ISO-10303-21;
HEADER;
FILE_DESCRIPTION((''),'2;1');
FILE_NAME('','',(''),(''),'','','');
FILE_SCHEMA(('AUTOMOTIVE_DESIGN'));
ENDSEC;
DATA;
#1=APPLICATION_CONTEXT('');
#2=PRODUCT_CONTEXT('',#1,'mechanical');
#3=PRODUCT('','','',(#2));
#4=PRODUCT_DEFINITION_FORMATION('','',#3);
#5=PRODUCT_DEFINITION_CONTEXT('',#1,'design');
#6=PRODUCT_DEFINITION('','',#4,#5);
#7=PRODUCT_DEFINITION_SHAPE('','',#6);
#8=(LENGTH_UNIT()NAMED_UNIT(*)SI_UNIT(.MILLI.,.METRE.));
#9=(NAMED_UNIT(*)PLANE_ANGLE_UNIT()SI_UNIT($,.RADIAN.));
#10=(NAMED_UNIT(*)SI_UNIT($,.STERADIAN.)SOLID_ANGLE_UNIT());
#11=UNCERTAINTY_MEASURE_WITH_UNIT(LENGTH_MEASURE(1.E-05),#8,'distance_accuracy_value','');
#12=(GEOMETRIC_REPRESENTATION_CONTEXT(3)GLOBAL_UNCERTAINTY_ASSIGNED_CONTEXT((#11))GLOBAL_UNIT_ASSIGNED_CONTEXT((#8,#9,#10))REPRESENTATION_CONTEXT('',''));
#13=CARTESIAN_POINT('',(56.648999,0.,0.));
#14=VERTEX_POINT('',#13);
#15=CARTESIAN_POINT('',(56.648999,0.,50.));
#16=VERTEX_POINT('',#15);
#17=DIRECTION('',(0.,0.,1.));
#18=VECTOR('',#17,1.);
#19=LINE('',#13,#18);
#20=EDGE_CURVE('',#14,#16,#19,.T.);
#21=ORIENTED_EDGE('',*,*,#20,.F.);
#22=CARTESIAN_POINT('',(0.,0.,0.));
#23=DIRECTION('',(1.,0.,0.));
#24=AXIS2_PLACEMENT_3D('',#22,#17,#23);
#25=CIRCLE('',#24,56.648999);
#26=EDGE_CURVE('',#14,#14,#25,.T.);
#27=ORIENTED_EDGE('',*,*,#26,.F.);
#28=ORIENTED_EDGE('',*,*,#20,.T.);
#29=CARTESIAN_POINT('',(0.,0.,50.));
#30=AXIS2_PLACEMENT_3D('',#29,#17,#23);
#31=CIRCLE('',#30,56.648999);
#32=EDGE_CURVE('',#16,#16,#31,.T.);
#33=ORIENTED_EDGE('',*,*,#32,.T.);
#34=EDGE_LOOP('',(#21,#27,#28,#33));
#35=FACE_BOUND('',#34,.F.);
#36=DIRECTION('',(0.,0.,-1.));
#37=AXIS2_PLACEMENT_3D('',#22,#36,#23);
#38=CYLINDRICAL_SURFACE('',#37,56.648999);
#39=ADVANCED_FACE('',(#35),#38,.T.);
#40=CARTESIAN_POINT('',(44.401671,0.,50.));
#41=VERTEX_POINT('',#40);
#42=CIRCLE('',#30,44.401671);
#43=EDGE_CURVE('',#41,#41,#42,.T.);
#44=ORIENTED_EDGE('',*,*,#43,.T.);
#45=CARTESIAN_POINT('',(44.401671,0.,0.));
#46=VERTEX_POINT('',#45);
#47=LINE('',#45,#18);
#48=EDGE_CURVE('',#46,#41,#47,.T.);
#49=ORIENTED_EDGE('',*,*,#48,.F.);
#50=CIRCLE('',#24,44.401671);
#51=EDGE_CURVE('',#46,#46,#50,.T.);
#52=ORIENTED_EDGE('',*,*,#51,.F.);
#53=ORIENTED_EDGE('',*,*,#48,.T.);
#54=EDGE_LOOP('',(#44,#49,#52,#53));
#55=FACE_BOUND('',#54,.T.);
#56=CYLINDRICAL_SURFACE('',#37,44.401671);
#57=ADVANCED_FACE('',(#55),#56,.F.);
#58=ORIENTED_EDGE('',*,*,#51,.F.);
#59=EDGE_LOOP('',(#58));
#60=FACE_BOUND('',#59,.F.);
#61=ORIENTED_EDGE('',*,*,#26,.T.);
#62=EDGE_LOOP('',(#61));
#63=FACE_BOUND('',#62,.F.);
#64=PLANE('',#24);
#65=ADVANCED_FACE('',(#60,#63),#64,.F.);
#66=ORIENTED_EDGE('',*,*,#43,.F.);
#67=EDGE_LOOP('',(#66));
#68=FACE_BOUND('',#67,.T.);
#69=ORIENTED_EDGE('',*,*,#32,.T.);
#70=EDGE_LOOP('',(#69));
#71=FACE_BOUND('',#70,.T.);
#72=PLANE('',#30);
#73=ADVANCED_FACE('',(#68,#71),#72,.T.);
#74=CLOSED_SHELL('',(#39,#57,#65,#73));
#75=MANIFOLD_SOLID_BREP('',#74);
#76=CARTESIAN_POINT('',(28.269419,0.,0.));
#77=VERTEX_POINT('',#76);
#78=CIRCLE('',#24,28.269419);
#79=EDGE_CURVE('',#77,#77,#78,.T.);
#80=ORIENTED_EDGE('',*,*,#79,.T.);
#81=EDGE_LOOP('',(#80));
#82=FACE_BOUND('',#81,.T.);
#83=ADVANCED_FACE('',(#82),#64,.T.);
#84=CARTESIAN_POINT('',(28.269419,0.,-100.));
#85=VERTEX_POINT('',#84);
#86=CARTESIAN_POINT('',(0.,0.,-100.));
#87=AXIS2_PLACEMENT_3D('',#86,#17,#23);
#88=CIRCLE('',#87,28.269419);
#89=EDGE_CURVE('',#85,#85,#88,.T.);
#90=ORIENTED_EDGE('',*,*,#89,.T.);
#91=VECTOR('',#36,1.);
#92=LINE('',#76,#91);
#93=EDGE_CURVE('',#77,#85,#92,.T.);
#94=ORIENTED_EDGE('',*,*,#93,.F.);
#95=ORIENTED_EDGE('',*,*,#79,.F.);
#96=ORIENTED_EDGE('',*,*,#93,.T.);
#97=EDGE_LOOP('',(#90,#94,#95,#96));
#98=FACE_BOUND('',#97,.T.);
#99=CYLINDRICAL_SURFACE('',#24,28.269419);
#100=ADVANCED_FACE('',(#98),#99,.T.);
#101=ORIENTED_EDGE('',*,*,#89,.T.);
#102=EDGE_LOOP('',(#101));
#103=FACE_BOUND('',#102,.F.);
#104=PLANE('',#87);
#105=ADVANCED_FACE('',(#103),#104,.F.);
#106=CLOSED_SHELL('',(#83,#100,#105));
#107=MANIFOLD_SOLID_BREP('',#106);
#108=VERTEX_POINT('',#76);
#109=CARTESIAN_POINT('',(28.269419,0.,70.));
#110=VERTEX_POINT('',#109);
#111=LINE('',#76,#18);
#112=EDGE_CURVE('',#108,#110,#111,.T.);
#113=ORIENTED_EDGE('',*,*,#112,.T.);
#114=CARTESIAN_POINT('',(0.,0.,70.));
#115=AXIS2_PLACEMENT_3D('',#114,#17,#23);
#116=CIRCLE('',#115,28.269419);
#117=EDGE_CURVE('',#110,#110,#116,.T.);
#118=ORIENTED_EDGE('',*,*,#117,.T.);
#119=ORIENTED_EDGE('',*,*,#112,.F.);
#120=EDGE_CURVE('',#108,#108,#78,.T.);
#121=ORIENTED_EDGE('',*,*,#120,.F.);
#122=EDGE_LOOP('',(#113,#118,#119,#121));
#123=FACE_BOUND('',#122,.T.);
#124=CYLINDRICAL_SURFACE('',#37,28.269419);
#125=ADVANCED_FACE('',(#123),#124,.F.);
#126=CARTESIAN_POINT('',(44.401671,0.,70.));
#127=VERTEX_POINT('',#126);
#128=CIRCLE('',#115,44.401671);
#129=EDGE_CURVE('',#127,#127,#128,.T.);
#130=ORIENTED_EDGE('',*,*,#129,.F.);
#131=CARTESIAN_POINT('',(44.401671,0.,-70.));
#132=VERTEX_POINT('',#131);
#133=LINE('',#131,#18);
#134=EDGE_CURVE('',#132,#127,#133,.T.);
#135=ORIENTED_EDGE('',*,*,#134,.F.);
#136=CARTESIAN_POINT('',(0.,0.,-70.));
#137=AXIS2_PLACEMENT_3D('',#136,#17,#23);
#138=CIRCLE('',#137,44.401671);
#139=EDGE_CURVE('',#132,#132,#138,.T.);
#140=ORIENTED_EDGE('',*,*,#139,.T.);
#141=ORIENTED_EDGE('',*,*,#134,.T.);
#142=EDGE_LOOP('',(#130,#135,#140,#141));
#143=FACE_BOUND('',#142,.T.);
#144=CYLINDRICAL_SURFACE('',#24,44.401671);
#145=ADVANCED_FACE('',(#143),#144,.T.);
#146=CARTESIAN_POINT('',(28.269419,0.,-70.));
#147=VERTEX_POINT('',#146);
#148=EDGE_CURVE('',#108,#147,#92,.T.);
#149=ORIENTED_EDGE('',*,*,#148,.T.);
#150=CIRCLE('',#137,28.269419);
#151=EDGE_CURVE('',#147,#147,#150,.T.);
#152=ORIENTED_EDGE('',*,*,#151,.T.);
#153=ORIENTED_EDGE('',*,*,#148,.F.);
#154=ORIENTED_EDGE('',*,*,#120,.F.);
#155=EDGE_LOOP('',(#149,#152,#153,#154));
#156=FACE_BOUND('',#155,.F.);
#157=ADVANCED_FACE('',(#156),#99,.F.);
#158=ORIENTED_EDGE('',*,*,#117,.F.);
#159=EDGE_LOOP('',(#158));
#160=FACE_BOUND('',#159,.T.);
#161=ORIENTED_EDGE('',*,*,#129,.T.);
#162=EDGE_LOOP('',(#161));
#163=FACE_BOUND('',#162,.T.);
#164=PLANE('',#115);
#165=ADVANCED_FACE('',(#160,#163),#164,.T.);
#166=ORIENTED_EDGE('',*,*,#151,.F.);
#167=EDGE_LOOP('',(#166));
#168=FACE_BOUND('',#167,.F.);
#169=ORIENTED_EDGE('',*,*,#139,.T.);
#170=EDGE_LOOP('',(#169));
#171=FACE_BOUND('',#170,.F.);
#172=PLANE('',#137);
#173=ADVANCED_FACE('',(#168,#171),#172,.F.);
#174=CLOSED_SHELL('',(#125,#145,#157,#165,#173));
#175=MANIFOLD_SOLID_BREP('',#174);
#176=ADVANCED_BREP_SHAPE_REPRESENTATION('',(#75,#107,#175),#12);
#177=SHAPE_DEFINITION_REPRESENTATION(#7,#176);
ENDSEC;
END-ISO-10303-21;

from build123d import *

# Parameters (mm, degrees)
F0_R          = 56.648999
F0_R_2        = 44.401671
F1_DEPTH      = 50
F0_R_3        = 28.269419
F2_DEPTH      = 100
F3_DEPTH      = 70
F3_DEPTH_BACK = 70


with BuildPart() as f1:
    # F0 (on Top) → F1 (new body)
    with BuildSketch(Plane.XY):
        Circle(F0_R)
        Circle(F0_R_2, mode=Mode.SUBTRACT)
    extrude(amount=F1_DEPTH)


with BuildPart() as f2:
    # F0 (on Top) → F2 (new body)
    with BuildSketch(Plane.XY):
        Circle(F0_R_3)
    extrude(amount=-F2_DEPTH)


with BuildPart() as f3:
    # F0 (on Top) → F3 (new body, two sides)
    with BuildSketch(Plane.XY) as f3_sk:
        Circle(F0_R_2)
        Circle(F0_R_3, mode=Mode.SUBTRACT)
    extrude(amount=F3_DEPTH)
    extrude(f3_sk.sketch, amount=-F3_DEPTH_BACK)


solid = Compound([f1.part, f2.part, f3.part])
